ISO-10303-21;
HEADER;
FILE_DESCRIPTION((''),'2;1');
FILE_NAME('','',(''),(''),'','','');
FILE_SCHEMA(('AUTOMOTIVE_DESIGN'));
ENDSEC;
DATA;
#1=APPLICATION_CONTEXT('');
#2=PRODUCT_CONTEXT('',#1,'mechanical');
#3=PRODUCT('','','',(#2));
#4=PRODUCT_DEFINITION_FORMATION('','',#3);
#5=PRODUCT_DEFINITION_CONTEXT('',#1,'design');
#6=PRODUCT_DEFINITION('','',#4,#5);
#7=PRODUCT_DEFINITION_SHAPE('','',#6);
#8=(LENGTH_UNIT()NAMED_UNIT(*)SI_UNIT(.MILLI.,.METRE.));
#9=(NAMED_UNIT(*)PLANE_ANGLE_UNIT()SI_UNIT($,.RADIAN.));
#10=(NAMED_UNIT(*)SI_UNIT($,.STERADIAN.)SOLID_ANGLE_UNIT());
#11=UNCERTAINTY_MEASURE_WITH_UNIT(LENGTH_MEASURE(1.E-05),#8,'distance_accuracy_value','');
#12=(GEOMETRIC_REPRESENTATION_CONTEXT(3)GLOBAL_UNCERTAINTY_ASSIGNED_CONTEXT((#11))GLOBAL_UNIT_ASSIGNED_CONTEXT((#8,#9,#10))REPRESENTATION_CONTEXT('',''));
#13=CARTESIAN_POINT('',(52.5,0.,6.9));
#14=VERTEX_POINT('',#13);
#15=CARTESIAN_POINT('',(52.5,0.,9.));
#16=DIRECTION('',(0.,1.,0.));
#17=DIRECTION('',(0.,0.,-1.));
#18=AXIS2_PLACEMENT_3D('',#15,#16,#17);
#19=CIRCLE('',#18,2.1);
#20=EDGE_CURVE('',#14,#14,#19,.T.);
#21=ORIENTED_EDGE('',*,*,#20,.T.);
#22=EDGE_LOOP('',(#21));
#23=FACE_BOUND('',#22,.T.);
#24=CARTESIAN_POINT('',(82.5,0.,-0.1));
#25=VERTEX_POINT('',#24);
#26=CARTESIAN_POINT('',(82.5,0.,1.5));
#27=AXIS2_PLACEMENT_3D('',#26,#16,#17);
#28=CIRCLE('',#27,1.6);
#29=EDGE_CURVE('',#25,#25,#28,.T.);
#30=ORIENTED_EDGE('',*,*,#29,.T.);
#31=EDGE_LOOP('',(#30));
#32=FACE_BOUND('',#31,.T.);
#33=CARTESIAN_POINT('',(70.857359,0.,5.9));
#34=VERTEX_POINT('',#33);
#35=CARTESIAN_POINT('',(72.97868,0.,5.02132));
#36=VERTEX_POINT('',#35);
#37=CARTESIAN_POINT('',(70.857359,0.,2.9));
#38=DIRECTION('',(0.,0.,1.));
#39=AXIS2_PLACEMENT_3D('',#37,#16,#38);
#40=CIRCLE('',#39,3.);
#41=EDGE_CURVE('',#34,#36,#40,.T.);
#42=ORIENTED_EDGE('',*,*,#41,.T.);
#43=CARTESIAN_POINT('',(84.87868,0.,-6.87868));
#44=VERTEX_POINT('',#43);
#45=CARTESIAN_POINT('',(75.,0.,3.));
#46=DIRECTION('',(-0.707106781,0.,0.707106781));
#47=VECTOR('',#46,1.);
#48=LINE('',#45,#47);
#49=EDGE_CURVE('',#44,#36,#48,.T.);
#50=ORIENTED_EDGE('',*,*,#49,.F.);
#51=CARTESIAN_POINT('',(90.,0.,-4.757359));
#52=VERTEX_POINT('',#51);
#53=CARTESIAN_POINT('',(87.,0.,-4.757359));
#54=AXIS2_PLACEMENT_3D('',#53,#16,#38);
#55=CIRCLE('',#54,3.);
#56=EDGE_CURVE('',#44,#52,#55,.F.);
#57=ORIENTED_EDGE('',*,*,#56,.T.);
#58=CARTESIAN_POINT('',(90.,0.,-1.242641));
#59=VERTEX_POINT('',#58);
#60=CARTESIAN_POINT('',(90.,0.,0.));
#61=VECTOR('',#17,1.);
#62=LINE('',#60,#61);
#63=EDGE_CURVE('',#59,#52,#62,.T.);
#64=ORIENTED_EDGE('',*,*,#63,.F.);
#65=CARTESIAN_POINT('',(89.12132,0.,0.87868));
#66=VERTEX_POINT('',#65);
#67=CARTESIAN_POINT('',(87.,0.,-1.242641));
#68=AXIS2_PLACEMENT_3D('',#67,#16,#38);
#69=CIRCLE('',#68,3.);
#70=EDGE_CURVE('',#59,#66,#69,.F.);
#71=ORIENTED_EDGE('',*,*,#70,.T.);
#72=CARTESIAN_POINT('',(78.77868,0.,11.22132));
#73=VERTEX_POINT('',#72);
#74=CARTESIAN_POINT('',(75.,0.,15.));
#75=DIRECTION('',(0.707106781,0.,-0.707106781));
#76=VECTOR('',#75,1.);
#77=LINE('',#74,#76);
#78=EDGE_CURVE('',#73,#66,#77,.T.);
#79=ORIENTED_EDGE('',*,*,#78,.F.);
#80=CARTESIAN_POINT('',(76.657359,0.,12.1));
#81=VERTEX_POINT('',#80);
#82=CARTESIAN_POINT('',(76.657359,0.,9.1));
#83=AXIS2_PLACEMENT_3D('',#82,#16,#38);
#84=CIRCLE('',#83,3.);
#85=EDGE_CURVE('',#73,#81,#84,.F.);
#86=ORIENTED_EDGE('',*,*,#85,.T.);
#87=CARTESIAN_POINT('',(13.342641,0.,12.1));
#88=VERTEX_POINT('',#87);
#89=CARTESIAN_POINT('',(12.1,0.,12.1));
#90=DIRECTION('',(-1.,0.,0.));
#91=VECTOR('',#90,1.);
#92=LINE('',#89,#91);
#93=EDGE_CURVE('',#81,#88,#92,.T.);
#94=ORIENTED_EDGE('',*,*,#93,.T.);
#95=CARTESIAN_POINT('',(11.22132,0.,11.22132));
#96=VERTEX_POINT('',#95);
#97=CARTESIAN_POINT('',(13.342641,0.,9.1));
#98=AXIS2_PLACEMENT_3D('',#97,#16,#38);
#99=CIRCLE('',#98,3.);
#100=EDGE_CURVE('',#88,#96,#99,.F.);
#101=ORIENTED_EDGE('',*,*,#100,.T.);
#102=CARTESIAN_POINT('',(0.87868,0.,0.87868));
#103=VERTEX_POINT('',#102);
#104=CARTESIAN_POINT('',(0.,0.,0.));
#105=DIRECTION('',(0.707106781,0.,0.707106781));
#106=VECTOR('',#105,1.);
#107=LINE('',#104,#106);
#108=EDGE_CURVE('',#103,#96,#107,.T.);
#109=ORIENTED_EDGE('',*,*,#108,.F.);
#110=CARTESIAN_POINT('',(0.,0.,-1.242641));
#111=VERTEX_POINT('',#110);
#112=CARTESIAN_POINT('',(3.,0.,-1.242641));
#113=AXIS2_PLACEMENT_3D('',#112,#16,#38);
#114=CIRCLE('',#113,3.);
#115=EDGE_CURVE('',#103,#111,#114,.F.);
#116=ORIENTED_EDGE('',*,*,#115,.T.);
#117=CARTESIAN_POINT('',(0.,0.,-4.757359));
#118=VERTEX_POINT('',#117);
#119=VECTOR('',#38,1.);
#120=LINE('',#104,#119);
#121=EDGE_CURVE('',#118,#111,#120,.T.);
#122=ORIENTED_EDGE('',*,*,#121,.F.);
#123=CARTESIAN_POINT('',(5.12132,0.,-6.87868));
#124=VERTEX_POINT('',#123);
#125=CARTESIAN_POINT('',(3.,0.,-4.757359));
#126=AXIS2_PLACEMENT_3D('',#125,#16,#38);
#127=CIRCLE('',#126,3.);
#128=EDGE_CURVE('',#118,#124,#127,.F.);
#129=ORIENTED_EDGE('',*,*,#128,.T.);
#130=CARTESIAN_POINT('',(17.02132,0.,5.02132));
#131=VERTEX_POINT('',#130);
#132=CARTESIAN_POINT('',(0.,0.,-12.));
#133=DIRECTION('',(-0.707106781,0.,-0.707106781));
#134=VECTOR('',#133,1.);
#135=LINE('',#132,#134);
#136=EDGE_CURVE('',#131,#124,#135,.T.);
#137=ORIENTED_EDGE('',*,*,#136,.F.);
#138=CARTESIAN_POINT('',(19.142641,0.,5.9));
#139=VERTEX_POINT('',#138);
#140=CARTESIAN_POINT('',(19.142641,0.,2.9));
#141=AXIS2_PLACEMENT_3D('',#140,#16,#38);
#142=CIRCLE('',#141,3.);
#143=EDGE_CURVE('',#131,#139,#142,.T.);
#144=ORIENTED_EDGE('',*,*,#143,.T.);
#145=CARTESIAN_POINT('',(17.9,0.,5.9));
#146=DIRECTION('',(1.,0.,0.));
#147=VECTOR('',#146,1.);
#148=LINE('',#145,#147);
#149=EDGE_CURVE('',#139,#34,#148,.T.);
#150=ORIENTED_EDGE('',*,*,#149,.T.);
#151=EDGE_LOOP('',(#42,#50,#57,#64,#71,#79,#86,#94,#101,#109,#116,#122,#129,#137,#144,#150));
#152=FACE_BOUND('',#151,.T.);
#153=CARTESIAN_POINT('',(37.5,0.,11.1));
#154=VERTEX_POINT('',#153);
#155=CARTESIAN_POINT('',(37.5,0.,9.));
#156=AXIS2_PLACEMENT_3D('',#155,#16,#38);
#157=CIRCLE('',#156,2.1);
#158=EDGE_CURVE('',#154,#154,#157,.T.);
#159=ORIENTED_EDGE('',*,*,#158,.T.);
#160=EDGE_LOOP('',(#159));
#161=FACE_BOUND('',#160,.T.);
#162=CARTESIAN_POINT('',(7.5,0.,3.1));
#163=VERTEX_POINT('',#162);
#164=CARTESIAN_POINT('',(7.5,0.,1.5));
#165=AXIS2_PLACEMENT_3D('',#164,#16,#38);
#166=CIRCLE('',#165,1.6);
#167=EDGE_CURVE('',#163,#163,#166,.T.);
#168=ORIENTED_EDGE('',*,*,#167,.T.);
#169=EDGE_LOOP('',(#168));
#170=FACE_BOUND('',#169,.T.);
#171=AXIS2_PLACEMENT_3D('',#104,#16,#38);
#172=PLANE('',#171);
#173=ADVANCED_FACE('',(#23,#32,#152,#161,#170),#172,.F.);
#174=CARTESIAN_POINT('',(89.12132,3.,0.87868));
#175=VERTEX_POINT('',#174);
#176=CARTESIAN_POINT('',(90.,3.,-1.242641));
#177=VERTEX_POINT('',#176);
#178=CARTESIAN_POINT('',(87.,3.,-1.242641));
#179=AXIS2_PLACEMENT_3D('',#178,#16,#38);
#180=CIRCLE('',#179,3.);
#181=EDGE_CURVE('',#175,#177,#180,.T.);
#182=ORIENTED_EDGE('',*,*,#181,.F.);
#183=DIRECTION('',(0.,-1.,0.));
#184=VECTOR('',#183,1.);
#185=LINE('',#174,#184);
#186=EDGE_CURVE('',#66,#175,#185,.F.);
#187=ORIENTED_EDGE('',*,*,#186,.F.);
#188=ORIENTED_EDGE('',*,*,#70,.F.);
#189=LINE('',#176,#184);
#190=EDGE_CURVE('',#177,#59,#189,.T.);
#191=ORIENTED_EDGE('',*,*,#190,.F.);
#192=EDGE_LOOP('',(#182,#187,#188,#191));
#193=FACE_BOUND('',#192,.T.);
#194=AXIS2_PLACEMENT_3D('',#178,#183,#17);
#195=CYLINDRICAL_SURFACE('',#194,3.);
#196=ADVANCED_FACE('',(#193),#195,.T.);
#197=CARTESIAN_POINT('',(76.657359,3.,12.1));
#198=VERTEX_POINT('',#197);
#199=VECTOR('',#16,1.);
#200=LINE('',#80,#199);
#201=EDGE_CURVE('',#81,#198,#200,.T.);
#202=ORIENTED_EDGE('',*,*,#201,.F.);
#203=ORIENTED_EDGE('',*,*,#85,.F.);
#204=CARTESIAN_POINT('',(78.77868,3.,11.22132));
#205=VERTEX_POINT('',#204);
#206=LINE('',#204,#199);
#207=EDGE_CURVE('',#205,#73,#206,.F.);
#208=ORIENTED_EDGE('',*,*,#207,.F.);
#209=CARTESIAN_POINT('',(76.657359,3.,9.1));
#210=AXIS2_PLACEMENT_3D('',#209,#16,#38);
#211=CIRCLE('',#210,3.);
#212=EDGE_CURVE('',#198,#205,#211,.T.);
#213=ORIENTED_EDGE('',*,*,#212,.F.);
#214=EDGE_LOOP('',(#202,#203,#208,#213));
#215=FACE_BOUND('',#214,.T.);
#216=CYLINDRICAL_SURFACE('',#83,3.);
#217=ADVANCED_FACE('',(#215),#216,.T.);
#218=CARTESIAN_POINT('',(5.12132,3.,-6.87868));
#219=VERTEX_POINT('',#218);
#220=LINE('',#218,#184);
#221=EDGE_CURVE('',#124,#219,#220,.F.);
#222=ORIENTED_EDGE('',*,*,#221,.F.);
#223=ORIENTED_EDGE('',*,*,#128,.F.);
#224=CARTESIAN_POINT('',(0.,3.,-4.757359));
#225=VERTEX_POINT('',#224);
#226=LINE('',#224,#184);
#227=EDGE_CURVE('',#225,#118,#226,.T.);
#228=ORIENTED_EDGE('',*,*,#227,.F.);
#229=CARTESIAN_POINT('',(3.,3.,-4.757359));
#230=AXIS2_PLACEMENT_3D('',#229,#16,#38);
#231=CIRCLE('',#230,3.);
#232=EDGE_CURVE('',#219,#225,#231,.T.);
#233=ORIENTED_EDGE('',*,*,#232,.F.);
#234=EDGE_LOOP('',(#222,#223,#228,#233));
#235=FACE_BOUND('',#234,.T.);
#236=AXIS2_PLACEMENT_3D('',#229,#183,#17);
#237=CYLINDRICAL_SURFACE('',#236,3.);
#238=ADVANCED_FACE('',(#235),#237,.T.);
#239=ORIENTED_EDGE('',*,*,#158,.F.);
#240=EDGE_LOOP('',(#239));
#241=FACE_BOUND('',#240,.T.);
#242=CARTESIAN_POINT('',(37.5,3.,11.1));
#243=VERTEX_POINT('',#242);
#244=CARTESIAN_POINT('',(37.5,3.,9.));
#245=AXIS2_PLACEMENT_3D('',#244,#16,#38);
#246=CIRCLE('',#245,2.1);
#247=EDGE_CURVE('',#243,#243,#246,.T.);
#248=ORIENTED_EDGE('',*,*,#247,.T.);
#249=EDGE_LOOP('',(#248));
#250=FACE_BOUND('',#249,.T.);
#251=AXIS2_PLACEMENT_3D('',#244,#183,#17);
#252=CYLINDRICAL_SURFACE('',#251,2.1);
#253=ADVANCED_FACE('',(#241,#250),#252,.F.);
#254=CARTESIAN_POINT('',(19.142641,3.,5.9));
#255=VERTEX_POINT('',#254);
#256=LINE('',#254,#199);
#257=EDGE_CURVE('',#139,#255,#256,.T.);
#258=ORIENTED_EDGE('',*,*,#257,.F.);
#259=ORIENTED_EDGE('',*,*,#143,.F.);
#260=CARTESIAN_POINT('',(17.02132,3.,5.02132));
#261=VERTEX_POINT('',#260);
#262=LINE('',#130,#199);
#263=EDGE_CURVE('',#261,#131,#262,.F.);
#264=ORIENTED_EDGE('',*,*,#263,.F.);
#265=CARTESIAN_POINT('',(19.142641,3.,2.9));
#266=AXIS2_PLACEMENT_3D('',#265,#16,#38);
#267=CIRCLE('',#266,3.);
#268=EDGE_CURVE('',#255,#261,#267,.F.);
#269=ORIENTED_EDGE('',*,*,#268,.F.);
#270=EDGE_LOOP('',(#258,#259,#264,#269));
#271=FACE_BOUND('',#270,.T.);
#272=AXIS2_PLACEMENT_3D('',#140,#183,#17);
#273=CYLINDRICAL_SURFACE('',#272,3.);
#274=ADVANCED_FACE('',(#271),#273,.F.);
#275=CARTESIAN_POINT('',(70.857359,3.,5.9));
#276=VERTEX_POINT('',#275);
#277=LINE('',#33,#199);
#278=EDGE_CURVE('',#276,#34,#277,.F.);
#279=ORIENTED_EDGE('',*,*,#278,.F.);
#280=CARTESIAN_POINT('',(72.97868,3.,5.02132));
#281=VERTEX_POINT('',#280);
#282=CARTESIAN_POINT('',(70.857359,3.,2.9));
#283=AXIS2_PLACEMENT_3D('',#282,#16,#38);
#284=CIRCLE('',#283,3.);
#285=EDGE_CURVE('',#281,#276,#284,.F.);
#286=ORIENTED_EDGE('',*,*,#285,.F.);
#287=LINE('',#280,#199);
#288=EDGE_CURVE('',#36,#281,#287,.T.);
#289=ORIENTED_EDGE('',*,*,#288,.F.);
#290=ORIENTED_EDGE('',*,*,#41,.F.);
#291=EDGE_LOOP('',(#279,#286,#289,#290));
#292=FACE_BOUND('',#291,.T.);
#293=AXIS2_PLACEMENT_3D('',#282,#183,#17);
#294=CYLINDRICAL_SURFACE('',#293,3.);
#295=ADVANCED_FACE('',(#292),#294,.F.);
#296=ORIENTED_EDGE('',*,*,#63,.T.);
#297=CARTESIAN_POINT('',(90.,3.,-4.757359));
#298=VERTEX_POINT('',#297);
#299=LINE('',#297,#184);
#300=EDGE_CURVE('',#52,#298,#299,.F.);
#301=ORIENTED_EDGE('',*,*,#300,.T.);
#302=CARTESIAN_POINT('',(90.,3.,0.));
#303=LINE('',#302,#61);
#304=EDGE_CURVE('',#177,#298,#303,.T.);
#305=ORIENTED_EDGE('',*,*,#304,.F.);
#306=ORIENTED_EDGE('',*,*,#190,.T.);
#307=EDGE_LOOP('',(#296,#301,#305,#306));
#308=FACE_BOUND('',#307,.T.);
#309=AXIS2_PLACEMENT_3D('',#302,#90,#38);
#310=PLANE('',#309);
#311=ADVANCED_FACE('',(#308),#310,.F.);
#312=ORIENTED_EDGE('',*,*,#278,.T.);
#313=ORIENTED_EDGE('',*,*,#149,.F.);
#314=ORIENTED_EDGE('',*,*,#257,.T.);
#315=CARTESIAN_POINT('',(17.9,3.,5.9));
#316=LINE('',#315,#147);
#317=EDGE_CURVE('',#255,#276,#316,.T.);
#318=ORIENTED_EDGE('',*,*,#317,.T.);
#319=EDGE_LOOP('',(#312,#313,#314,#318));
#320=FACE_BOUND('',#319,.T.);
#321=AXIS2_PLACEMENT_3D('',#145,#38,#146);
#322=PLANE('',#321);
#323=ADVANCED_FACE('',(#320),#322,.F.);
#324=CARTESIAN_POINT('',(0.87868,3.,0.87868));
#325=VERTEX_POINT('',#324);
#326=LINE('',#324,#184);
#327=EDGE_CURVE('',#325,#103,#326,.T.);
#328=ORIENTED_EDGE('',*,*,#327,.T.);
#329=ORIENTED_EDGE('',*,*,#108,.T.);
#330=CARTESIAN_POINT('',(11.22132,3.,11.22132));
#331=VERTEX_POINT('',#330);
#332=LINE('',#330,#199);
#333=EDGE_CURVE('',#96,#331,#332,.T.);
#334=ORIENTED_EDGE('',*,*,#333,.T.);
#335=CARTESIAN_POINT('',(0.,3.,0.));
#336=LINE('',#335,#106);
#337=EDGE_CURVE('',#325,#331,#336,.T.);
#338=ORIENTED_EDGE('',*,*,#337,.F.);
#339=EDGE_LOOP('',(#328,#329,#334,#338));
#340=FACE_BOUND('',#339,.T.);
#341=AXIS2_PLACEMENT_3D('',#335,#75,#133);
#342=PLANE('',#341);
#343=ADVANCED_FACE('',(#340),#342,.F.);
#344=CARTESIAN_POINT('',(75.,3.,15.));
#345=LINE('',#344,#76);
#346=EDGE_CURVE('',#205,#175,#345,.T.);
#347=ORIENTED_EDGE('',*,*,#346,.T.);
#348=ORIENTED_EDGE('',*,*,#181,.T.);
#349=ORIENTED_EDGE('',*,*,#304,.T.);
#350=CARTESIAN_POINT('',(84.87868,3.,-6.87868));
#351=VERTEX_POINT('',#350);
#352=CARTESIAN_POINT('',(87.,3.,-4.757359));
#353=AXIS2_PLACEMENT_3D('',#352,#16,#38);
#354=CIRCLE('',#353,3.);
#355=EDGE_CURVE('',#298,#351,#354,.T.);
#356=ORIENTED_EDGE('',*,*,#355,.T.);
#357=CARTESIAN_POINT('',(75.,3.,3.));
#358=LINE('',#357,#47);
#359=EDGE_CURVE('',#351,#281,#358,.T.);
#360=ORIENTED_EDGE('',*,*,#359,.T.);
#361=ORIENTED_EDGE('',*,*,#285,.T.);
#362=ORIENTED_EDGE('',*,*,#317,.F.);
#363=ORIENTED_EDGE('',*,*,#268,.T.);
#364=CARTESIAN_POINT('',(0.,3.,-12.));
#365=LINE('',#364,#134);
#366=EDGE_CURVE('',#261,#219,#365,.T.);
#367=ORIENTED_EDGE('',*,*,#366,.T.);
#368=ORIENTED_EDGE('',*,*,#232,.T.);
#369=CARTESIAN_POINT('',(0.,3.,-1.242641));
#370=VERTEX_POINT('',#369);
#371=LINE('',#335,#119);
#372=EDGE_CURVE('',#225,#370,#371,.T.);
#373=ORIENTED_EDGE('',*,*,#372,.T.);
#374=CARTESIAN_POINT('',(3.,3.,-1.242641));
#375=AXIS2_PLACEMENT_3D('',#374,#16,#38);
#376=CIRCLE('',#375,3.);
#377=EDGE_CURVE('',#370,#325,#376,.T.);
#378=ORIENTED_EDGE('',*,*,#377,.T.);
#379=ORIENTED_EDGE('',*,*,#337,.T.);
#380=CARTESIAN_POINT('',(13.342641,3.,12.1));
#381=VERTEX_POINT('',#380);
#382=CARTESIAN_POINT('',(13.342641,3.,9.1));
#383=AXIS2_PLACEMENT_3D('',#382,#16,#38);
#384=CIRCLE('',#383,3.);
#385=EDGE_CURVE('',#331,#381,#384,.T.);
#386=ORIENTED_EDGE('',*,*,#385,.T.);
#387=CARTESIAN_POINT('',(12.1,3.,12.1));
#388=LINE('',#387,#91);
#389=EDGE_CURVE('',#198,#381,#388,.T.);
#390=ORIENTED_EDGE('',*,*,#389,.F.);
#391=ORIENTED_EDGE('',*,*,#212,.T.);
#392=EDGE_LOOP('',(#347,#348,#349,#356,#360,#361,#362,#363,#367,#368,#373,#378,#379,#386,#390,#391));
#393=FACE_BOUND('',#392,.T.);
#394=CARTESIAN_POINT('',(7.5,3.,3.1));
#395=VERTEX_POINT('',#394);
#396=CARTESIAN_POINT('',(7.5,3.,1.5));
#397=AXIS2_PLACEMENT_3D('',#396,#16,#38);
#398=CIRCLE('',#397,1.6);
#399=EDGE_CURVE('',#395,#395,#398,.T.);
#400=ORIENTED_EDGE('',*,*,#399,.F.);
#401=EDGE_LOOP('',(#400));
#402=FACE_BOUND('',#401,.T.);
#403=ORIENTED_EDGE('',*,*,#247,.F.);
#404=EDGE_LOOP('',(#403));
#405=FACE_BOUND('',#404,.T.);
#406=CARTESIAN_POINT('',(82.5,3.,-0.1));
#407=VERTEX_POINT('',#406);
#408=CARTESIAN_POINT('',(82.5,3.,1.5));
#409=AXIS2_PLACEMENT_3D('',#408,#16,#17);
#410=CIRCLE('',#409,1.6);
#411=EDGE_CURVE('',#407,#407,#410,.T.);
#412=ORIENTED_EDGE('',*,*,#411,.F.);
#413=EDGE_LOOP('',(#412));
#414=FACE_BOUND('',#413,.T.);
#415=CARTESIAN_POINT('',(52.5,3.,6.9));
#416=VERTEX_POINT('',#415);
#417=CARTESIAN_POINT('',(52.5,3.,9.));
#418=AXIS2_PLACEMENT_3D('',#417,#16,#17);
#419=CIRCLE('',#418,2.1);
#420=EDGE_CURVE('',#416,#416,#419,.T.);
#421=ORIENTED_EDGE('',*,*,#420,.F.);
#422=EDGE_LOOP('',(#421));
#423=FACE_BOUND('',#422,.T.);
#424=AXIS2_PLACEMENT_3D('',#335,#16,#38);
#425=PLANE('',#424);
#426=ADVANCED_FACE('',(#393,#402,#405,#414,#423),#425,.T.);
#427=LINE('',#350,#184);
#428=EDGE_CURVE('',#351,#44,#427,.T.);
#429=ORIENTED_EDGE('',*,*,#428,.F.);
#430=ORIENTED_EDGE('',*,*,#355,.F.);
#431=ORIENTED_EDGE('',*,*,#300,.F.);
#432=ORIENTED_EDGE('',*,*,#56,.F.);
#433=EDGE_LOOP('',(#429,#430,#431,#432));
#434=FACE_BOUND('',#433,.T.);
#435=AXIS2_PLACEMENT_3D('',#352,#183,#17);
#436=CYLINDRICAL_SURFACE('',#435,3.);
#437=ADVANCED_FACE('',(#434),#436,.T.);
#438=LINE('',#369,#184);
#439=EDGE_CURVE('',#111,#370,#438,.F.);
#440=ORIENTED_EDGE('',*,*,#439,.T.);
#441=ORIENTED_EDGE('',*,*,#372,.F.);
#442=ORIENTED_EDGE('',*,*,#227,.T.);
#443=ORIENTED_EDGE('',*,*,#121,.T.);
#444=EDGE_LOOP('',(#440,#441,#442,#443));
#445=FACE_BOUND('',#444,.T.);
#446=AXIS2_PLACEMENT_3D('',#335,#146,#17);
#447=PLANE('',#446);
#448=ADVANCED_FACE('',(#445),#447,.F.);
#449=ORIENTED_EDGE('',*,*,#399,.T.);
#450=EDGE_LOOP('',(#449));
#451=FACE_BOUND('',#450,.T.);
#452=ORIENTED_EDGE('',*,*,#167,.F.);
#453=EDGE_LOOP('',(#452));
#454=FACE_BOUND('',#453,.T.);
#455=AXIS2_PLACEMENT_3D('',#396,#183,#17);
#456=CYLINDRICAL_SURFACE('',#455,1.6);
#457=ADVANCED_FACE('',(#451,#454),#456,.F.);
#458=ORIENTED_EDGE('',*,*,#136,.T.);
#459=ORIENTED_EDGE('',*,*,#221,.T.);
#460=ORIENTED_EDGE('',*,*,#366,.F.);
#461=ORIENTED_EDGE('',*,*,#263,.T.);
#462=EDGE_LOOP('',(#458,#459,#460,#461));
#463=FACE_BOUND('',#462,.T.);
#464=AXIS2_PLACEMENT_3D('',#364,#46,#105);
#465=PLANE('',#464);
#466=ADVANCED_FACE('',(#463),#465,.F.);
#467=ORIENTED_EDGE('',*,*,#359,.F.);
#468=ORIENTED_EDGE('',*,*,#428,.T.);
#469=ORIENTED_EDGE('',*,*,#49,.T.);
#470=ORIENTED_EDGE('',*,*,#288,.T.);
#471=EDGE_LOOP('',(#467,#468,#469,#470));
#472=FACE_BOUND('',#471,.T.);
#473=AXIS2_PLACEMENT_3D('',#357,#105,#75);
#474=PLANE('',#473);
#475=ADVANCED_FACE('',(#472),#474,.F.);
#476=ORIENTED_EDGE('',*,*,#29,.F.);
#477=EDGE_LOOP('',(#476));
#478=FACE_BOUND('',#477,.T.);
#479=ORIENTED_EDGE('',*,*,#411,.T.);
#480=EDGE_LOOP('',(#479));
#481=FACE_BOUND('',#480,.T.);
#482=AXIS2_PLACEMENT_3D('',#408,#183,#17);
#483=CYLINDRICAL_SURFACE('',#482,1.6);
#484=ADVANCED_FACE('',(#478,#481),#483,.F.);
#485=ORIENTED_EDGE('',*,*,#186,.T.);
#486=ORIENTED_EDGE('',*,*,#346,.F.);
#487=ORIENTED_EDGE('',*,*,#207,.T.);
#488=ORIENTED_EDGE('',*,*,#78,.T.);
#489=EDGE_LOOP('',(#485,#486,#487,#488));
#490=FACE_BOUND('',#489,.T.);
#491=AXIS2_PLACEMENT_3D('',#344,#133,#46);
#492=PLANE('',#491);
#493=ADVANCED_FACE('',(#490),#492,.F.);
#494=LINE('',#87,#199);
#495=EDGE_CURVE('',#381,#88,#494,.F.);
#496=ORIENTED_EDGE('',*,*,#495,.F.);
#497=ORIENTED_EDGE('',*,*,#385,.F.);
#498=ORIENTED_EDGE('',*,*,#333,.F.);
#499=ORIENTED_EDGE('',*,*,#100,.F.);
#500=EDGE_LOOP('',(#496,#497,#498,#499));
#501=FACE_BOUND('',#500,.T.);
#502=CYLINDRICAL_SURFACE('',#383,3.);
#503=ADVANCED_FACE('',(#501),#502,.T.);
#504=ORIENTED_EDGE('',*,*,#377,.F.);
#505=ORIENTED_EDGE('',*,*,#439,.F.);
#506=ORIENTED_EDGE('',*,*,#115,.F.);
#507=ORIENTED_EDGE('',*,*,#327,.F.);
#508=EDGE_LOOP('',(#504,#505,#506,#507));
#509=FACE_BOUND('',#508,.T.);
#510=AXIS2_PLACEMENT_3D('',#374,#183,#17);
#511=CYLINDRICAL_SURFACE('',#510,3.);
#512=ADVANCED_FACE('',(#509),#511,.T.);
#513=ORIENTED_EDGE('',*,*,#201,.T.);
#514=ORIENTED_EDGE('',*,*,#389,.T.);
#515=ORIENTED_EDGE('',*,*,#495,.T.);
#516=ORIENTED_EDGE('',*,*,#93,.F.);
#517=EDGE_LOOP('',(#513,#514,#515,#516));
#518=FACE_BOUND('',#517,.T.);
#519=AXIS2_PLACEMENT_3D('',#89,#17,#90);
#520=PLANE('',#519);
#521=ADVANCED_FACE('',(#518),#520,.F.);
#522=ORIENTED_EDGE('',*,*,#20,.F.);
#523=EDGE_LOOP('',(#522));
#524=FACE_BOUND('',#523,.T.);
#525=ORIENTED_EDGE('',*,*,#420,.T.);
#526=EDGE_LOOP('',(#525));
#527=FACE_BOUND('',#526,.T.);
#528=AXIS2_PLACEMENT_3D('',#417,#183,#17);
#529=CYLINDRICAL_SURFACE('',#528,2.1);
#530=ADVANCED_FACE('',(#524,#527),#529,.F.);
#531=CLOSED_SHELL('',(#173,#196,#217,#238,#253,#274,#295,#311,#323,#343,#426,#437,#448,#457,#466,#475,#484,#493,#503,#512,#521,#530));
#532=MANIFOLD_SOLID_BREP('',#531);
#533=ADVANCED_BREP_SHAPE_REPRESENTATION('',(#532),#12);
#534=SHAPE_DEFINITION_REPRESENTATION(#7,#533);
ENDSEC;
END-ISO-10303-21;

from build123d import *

# Parameters (mm, degrees)
SKETCH1_R           = 1.6
SKETCH1_R_2         = 2.1
BOSS_EXTRUDE1_DEPTH = 3
CUT_EXTRUDE1_DEPTH  = 4
FILLET1_R           = 3


with BuildPart() as part:
    # Sketch1 → Boss-Extrude1 (new body)
    with BuildSketch(Plane(origin=(0, 0, 0), x_dir=(1, 0, 0), z_dir=(0, 1, 0))):
        Polygon((0, 0), (0, 12), (15, -3), (75, -3), (90, 12), (90, 0), (75, -15), (15, -15), align=None)
        with Locations((7.5, -1.5)):
            Circle(SKETCH1_R, mode=Mode.SUBTRACT)
        with Locations((37.5, -9)):
            Circle(SKETCH1_R_2, mode=Mode.SUBTRACT)
        with Locations((82.5, -1.5)):
            Circle(SKETCH1_R, mode=Mode.SUBTRACT)
        with Locations((52.5, -9)):
            Circle(SKETCH1_R_2, mode=Mode.SUBTRACT)
    extrude(amount=BOSS_EXTRUDE1_DEPTH)

    # Sketch2 → Cut-Extrude1 (cut, through all)
    with BuildSketch(Plane(origin=(0, 3, 0), x_dir=(1, 0, 0), z_dir=(0, 1, 0))):
        Polygon((15, -3), (17.9, -5.9), (72.1, -5.9), (75, -3), align=None)
        Polygon((12.1, -12.1), (77.9, -12.1), (75, -15), (15, -15), align=None)
    extrude(amount=-CUT_EXTRUDE1_DEPTH, mode=Mode.SUBTRACT)

    # Fillet1
    fillet1_edges = [part.edges().sort_by_distance(p)[0] for p in [
        (0, 1.5, 0),
        (0, 1.5, -12),
        (90, 1.5, -12),
        (90, 1.5, 0),
        (72.1, 1.5, 5.9),
        (17.9, 1.5, 5.9),
        (12.1, 1.5, 12.1),
        (77.9, 1.5, 12.1),
    ]]
    fillet(fillet1_edges, radius=FILLET1_R)


solid = part.part
